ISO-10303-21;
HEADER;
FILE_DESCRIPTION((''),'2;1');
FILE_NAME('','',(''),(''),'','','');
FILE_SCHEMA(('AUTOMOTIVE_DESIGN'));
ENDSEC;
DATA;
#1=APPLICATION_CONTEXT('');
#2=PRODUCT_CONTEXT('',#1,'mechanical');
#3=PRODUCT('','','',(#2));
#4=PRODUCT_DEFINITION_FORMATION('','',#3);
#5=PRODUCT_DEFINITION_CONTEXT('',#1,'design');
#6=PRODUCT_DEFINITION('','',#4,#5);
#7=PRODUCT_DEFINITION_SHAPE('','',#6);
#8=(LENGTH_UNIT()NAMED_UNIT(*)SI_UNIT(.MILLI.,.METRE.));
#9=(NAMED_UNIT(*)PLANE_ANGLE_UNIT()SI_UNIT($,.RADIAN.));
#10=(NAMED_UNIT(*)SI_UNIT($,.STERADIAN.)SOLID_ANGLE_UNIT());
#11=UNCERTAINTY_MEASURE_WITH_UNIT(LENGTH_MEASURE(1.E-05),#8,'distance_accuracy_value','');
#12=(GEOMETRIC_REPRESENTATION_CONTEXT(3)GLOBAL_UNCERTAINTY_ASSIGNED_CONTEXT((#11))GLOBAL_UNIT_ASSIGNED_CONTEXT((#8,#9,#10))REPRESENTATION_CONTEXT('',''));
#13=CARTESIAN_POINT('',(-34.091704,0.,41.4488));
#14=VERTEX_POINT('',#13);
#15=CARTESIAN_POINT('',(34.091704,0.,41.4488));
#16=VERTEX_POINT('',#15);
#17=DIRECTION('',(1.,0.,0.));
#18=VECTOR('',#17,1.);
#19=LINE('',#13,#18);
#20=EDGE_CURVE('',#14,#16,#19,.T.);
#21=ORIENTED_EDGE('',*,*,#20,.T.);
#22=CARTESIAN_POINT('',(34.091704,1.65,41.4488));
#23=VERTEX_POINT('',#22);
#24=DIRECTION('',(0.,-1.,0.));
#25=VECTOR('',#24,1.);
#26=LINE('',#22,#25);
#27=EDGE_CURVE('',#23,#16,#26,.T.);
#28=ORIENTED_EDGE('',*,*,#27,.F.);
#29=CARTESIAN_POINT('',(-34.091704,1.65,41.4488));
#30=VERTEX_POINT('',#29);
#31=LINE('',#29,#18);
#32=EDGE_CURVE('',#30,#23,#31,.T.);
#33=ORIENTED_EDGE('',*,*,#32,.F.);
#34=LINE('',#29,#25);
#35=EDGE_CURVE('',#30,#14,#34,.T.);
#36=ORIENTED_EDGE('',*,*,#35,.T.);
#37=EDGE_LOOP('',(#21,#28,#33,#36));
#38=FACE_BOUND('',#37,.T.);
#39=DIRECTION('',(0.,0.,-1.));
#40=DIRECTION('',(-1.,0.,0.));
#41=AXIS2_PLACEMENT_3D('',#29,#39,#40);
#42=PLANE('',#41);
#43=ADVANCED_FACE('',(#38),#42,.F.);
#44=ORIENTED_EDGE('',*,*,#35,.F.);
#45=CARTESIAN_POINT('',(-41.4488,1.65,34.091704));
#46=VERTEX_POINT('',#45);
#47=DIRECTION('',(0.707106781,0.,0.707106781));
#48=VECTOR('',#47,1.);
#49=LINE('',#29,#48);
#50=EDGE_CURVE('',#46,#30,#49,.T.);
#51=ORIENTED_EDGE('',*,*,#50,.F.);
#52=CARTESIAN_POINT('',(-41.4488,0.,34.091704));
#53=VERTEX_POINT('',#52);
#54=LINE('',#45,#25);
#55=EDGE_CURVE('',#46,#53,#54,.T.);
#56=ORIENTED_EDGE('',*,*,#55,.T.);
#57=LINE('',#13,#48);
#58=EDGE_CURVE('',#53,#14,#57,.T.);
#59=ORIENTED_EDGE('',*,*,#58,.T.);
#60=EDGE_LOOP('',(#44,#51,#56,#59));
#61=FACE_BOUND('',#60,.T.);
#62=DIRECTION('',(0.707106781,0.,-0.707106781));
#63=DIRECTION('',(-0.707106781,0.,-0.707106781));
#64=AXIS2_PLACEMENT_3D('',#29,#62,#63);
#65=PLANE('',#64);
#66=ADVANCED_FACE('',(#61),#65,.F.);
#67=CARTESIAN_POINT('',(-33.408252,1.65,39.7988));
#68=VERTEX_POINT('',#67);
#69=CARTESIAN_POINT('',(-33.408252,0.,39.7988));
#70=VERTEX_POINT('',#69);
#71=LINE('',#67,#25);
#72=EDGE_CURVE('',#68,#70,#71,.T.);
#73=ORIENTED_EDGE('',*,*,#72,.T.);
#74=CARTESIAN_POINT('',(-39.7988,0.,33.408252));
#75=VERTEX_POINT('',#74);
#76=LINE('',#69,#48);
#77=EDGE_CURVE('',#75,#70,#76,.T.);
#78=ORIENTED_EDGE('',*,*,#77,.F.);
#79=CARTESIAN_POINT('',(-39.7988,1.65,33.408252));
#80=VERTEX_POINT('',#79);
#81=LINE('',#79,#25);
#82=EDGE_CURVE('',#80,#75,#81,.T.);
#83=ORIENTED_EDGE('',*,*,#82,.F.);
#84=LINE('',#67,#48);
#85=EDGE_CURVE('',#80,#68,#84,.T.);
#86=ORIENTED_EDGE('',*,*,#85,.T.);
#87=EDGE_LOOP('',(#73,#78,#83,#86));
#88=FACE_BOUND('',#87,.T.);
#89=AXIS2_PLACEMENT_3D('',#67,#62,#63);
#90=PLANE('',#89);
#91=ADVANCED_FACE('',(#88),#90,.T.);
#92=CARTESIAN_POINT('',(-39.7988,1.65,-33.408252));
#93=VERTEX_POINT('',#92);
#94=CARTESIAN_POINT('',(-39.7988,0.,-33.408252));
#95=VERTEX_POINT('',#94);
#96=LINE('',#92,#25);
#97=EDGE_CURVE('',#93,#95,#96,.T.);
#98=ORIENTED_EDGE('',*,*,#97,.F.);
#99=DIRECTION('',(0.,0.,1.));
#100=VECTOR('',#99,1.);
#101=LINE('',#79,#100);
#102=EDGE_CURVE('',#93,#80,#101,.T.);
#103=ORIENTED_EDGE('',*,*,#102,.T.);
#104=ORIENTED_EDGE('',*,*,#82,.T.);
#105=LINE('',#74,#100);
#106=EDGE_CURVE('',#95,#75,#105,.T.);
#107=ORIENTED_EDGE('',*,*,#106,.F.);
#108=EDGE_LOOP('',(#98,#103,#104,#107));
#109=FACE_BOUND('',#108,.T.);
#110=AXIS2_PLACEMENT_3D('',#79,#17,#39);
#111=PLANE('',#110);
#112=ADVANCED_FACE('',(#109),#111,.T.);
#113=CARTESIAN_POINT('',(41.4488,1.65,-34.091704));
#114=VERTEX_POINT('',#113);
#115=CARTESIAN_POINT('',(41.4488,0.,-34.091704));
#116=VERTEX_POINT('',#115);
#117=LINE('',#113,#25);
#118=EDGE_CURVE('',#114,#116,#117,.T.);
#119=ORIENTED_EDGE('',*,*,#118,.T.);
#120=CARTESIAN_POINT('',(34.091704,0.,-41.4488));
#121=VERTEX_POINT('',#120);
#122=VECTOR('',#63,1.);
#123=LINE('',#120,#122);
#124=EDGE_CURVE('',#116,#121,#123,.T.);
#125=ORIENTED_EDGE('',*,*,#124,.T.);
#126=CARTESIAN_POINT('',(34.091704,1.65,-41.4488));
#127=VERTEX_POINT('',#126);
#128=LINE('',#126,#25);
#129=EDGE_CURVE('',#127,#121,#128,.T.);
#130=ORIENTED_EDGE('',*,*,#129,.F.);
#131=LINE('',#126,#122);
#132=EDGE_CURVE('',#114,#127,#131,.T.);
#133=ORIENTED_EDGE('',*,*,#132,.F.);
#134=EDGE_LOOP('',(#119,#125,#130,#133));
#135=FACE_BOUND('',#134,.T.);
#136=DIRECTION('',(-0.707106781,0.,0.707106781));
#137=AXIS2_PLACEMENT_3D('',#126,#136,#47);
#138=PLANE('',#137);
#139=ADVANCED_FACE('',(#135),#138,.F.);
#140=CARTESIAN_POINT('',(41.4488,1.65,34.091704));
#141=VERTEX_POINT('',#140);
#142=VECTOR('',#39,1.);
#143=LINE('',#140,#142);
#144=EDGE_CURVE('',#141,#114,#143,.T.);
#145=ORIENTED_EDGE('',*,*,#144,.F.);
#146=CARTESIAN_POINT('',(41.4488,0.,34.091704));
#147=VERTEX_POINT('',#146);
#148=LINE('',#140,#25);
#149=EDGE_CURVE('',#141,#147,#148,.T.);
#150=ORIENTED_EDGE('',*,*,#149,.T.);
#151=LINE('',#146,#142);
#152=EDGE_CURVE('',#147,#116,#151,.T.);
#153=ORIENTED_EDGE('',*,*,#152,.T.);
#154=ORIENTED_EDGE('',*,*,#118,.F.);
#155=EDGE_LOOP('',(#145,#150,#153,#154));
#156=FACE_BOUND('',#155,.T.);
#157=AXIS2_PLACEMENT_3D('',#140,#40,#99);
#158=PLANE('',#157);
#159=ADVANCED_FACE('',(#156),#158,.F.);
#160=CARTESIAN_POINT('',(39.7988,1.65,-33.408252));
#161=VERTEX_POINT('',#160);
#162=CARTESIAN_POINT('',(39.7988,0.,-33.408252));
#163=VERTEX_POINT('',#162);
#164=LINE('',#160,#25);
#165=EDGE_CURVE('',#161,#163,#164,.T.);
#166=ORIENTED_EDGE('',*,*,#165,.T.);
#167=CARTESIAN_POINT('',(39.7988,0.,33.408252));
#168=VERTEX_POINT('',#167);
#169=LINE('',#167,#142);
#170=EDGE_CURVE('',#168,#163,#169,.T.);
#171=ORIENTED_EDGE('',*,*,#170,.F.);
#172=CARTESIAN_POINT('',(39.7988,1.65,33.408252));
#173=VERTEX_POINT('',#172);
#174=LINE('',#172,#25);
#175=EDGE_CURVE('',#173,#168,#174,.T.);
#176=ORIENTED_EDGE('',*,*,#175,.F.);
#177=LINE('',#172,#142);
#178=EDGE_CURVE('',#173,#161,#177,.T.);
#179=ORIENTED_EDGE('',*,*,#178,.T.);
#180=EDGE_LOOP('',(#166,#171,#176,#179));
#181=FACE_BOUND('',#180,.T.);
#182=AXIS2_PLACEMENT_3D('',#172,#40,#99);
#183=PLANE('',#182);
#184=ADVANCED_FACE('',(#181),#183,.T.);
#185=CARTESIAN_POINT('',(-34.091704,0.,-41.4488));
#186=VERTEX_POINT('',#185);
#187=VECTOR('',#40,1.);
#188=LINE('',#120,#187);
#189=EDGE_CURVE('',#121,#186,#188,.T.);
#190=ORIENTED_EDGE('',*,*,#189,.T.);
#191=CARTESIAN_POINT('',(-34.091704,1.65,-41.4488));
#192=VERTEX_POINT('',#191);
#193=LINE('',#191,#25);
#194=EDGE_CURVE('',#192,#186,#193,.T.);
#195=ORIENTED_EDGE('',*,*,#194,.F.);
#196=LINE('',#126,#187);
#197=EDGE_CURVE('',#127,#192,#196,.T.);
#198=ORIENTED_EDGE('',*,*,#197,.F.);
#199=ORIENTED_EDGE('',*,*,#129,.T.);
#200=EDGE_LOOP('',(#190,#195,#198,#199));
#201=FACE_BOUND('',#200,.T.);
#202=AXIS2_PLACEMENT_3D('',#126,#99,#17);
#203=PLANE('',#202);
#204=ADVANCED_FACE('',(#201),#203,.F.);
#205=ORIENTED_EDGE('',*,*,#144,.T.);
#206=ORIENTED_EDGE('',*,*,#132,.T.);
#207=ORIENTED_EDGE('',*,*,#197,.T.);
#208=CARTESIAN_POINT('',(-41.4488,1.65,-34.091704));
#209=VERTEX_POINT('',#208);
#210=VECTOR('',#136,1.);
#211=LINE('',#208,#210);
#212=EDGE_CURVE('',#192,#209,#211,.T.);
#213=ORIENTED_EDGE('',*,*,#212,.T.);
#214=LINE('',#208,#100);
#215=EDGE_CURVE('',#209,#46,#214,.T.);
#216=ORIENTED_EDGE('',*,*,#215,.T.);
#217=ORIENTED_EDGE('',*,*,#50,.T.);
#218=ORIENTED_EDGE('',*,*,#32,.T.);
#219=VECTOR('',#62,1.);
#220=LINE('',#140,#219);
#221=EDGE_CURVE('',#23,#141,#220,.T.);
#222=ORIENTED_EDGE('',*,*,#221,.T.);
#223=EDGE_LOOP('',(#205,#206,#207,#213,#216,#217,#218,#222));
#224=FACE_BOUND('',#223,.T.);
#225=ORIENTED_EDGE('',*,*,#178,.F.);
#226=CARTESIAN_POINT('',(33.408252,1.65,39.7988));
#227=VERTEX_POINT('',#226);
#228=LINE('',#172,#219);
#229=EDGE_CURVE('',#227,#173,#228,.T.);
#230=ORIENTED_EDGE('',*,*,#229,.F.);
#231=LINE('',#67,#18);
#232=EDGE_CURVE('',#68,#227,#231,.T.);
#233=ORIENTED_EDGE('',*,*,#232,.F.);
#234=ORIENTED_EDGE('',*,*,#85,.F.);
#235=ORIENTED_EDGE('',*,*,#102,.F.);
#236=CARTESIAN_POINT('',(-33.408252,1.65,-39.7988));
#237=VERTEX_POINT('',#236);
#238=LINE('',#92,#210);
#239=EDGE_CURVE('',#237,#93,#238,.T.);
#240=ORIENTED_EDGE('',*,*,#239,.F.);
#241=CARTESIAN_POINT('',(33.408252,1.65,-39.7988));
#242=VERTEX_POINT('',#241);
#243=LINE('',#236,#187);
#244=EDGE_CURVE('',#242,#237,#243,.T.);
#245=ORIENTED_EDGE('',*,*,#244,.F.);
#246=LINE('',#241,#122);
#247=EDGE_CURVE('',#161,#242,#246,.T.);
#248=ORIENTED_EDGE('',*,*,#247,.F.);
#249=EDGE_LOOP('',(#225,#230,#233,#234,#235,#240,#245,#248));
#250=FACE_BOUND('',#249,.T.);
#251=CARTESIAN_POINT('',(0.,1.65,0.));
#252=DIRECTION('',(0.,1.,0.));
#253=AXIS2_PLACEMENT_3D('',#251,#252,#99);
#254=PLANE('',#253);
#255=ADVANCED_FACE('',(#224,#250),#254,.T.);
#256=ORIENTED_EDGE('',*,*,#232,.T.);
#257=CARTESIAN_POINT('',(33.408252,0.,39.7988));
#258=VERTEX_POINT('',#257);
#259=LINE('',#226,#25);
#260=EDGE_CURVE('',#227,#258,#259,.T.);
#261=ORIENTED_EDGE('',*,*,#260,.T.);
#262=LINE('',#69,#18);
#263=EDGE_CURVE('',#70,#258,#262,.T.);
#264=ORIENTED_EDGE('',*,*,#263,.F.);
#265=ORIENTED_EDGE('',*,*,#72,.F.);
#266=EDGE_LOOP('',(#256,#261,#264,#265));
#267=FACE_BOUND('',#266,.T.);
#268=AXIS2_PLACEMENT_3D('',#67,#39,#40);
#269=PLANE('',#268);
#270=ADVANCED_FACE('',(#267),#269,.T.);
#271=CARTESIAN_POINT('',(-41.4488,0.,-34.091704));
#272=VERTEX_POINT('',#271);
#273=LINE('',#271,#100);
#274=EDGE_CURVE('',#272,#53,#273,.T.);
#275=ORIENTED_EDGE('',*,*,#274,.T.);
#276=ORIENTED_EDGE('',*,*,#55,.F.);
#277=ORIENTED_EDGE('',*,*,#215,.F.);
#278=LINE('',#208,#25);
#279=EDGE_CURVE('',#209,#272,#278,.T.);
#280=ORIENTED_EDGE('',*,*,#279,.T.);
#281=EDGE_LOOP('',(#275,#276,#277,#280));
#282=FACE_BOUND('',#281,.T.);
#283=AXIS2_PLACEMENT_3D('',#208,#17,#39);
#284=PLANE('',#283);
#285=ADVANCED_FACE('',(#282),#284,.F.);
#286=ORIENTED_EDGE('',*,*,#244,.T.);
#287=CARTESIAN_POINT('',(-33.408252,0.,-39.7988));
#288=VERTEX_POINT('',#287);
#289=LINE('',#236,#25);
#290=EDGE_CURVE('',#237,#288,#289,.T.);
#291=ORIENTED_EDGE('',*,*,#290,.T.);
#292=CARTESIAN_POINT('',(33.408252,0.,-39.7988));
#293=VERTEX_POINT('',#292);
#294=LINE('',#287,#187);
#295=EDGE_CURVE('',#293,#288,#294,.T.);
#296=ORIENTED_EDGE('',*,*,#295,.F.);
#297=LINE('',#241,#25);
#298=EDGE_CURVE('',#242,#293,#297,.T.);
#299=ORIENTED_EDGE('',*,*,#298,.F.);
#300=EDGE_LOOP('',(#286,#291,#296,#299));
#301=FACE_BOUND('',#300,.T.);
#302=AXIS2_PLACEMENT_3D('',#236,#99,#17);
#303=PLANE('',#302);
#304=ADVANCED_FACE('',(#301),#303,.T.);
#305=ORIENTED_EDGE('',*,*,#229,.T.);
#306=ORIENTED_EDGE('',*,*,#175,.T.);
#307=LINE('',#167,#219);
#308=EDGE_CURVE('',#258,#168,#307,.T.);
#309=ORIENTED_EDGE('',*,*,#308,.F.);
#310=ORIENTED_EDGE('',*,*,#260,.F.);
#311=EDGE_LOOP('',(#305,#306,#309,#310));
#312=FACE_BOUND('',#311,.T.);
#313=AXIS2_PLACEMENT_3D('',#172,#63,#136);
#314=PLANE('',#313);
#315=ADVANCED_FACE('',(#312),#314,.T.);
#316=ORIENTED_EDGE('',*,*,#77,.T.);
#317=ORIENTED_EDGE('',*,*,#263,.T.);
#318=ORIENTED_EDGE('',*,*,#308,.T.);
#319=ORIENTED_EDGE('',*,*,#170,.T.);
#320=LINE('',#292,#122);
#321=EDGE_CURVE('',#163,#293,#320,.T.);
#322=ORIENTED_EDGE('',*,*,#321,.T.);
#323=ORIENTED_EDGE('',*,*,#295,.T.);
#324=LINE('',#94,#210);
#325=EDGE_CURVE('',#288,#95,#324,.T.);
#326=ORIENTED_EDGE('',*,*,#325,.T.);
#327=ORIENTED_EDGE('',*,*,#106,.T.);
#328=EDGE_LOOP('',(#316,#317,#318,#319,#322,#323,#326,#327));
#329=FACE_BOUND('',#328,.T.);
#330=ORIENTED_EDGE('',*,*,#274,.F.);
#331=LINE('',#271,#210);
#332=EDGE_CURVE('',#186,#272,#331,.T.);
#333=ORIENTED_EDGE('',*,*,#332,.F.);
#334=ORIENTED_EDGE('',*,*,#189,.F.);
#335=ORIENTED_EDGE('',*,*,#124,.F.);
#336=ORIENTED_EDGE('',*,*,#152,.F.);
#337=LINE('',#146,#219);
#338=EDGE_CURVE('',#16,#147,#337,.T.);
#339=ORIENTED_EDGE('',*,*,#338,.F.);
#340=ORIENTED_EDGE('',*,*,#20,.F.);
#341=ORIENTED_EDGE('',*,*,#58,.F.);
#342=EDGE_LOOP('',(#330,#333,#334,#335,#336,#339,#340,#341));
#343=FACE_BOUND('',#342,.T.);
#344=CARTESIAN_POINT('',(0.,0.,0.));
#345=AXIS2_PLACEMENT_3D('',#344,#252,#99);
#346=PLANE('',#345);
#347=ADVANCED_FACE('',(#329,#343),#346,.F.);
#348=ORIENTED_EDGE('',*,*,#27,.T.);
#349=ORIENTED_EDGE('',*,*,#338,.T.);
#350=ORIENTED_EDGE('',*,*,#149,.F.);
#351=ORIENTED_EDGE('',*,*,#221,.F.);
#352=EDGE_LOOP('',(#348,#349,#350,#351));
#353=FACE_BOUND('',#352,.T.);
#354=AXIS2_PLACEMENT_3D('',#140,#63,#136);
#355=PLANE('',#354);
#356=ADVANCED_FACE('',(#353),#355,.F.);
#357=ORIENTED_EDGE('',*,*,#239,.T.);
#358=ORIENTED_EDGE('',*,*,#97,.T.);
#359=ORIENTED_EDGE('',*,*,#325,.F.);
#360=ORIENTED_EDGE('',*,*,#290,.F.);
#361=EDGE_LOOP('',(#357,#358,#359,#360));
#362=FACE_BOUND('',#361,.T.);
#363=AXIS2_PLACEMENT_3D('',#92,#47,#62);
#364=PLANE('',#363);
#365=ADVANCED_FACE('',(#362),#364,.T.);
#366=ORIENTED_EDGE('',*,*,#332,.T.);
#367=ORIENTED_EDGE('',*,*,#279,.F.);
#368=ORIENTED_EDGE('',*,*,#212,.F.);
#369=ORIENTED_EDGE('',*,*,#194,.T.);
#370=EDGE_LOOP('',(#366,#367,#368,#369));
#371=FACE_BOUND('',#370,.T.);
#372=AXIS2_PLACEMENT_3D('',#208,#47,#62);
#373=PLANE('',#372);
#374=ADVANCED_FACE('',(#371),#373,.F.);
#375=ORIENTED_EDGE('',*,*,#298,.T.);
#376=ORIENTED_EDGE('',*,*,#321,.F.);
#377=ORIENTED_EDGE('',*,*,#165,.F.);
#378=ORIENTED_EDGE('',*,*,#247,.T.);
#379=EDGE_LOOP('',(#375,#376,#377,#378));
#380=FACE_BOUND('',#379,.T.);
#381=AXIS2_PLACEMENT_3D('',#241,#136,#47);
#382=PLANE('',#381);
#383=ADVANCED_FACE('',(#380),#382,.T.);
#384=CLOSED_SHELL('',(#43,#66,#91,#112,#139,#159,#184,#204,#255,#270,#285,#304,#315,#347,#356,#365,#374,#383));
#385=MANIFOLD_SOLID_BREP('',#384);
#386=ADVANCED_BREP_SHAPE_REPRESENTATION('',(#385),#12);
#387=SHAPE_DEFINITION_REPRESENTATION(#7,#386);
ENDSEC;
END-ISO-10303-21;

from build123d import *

# Parameters (mm, degrees)
BOSS_EXTRUDE1_DEPTH = 1.65


with BuildPart() as part:
    # Sketch1 → Boss-Extrude1 (new body)
    with BuildSketch(Plane(origin=(0, 0, 0), x_dir=(1, 0, 0), z_dir=(0, 1, 0))):
        Polygon((-41.448800006, 34.091704203), (-34.091704203, 41.448800006), (34.091704203, 41.448800006), (41.448800006, 34.091704203), (41.448800006, -34.091704203), (34.091704203, -41.448800006), (-34.091704203, -41.448800006), (-41.448800006, -34.091704203), align=None)
        Polygon((-39.798800006, 33.408251825), (-33.408251825, 39.798800006), (33.408251825, 39.798800006), (39.798800006, 33.408251825), (39.798800006, -33.408251825), (33.408251825, -39.798800006), (-33.408251825, -39.798800006), (-39.798800006, -33.408251825), align=None, mode=Mode.SUBTRACT)
    extrude(amount=BOSS_EXTRUDE1_DEPTH)


solid = part.part
